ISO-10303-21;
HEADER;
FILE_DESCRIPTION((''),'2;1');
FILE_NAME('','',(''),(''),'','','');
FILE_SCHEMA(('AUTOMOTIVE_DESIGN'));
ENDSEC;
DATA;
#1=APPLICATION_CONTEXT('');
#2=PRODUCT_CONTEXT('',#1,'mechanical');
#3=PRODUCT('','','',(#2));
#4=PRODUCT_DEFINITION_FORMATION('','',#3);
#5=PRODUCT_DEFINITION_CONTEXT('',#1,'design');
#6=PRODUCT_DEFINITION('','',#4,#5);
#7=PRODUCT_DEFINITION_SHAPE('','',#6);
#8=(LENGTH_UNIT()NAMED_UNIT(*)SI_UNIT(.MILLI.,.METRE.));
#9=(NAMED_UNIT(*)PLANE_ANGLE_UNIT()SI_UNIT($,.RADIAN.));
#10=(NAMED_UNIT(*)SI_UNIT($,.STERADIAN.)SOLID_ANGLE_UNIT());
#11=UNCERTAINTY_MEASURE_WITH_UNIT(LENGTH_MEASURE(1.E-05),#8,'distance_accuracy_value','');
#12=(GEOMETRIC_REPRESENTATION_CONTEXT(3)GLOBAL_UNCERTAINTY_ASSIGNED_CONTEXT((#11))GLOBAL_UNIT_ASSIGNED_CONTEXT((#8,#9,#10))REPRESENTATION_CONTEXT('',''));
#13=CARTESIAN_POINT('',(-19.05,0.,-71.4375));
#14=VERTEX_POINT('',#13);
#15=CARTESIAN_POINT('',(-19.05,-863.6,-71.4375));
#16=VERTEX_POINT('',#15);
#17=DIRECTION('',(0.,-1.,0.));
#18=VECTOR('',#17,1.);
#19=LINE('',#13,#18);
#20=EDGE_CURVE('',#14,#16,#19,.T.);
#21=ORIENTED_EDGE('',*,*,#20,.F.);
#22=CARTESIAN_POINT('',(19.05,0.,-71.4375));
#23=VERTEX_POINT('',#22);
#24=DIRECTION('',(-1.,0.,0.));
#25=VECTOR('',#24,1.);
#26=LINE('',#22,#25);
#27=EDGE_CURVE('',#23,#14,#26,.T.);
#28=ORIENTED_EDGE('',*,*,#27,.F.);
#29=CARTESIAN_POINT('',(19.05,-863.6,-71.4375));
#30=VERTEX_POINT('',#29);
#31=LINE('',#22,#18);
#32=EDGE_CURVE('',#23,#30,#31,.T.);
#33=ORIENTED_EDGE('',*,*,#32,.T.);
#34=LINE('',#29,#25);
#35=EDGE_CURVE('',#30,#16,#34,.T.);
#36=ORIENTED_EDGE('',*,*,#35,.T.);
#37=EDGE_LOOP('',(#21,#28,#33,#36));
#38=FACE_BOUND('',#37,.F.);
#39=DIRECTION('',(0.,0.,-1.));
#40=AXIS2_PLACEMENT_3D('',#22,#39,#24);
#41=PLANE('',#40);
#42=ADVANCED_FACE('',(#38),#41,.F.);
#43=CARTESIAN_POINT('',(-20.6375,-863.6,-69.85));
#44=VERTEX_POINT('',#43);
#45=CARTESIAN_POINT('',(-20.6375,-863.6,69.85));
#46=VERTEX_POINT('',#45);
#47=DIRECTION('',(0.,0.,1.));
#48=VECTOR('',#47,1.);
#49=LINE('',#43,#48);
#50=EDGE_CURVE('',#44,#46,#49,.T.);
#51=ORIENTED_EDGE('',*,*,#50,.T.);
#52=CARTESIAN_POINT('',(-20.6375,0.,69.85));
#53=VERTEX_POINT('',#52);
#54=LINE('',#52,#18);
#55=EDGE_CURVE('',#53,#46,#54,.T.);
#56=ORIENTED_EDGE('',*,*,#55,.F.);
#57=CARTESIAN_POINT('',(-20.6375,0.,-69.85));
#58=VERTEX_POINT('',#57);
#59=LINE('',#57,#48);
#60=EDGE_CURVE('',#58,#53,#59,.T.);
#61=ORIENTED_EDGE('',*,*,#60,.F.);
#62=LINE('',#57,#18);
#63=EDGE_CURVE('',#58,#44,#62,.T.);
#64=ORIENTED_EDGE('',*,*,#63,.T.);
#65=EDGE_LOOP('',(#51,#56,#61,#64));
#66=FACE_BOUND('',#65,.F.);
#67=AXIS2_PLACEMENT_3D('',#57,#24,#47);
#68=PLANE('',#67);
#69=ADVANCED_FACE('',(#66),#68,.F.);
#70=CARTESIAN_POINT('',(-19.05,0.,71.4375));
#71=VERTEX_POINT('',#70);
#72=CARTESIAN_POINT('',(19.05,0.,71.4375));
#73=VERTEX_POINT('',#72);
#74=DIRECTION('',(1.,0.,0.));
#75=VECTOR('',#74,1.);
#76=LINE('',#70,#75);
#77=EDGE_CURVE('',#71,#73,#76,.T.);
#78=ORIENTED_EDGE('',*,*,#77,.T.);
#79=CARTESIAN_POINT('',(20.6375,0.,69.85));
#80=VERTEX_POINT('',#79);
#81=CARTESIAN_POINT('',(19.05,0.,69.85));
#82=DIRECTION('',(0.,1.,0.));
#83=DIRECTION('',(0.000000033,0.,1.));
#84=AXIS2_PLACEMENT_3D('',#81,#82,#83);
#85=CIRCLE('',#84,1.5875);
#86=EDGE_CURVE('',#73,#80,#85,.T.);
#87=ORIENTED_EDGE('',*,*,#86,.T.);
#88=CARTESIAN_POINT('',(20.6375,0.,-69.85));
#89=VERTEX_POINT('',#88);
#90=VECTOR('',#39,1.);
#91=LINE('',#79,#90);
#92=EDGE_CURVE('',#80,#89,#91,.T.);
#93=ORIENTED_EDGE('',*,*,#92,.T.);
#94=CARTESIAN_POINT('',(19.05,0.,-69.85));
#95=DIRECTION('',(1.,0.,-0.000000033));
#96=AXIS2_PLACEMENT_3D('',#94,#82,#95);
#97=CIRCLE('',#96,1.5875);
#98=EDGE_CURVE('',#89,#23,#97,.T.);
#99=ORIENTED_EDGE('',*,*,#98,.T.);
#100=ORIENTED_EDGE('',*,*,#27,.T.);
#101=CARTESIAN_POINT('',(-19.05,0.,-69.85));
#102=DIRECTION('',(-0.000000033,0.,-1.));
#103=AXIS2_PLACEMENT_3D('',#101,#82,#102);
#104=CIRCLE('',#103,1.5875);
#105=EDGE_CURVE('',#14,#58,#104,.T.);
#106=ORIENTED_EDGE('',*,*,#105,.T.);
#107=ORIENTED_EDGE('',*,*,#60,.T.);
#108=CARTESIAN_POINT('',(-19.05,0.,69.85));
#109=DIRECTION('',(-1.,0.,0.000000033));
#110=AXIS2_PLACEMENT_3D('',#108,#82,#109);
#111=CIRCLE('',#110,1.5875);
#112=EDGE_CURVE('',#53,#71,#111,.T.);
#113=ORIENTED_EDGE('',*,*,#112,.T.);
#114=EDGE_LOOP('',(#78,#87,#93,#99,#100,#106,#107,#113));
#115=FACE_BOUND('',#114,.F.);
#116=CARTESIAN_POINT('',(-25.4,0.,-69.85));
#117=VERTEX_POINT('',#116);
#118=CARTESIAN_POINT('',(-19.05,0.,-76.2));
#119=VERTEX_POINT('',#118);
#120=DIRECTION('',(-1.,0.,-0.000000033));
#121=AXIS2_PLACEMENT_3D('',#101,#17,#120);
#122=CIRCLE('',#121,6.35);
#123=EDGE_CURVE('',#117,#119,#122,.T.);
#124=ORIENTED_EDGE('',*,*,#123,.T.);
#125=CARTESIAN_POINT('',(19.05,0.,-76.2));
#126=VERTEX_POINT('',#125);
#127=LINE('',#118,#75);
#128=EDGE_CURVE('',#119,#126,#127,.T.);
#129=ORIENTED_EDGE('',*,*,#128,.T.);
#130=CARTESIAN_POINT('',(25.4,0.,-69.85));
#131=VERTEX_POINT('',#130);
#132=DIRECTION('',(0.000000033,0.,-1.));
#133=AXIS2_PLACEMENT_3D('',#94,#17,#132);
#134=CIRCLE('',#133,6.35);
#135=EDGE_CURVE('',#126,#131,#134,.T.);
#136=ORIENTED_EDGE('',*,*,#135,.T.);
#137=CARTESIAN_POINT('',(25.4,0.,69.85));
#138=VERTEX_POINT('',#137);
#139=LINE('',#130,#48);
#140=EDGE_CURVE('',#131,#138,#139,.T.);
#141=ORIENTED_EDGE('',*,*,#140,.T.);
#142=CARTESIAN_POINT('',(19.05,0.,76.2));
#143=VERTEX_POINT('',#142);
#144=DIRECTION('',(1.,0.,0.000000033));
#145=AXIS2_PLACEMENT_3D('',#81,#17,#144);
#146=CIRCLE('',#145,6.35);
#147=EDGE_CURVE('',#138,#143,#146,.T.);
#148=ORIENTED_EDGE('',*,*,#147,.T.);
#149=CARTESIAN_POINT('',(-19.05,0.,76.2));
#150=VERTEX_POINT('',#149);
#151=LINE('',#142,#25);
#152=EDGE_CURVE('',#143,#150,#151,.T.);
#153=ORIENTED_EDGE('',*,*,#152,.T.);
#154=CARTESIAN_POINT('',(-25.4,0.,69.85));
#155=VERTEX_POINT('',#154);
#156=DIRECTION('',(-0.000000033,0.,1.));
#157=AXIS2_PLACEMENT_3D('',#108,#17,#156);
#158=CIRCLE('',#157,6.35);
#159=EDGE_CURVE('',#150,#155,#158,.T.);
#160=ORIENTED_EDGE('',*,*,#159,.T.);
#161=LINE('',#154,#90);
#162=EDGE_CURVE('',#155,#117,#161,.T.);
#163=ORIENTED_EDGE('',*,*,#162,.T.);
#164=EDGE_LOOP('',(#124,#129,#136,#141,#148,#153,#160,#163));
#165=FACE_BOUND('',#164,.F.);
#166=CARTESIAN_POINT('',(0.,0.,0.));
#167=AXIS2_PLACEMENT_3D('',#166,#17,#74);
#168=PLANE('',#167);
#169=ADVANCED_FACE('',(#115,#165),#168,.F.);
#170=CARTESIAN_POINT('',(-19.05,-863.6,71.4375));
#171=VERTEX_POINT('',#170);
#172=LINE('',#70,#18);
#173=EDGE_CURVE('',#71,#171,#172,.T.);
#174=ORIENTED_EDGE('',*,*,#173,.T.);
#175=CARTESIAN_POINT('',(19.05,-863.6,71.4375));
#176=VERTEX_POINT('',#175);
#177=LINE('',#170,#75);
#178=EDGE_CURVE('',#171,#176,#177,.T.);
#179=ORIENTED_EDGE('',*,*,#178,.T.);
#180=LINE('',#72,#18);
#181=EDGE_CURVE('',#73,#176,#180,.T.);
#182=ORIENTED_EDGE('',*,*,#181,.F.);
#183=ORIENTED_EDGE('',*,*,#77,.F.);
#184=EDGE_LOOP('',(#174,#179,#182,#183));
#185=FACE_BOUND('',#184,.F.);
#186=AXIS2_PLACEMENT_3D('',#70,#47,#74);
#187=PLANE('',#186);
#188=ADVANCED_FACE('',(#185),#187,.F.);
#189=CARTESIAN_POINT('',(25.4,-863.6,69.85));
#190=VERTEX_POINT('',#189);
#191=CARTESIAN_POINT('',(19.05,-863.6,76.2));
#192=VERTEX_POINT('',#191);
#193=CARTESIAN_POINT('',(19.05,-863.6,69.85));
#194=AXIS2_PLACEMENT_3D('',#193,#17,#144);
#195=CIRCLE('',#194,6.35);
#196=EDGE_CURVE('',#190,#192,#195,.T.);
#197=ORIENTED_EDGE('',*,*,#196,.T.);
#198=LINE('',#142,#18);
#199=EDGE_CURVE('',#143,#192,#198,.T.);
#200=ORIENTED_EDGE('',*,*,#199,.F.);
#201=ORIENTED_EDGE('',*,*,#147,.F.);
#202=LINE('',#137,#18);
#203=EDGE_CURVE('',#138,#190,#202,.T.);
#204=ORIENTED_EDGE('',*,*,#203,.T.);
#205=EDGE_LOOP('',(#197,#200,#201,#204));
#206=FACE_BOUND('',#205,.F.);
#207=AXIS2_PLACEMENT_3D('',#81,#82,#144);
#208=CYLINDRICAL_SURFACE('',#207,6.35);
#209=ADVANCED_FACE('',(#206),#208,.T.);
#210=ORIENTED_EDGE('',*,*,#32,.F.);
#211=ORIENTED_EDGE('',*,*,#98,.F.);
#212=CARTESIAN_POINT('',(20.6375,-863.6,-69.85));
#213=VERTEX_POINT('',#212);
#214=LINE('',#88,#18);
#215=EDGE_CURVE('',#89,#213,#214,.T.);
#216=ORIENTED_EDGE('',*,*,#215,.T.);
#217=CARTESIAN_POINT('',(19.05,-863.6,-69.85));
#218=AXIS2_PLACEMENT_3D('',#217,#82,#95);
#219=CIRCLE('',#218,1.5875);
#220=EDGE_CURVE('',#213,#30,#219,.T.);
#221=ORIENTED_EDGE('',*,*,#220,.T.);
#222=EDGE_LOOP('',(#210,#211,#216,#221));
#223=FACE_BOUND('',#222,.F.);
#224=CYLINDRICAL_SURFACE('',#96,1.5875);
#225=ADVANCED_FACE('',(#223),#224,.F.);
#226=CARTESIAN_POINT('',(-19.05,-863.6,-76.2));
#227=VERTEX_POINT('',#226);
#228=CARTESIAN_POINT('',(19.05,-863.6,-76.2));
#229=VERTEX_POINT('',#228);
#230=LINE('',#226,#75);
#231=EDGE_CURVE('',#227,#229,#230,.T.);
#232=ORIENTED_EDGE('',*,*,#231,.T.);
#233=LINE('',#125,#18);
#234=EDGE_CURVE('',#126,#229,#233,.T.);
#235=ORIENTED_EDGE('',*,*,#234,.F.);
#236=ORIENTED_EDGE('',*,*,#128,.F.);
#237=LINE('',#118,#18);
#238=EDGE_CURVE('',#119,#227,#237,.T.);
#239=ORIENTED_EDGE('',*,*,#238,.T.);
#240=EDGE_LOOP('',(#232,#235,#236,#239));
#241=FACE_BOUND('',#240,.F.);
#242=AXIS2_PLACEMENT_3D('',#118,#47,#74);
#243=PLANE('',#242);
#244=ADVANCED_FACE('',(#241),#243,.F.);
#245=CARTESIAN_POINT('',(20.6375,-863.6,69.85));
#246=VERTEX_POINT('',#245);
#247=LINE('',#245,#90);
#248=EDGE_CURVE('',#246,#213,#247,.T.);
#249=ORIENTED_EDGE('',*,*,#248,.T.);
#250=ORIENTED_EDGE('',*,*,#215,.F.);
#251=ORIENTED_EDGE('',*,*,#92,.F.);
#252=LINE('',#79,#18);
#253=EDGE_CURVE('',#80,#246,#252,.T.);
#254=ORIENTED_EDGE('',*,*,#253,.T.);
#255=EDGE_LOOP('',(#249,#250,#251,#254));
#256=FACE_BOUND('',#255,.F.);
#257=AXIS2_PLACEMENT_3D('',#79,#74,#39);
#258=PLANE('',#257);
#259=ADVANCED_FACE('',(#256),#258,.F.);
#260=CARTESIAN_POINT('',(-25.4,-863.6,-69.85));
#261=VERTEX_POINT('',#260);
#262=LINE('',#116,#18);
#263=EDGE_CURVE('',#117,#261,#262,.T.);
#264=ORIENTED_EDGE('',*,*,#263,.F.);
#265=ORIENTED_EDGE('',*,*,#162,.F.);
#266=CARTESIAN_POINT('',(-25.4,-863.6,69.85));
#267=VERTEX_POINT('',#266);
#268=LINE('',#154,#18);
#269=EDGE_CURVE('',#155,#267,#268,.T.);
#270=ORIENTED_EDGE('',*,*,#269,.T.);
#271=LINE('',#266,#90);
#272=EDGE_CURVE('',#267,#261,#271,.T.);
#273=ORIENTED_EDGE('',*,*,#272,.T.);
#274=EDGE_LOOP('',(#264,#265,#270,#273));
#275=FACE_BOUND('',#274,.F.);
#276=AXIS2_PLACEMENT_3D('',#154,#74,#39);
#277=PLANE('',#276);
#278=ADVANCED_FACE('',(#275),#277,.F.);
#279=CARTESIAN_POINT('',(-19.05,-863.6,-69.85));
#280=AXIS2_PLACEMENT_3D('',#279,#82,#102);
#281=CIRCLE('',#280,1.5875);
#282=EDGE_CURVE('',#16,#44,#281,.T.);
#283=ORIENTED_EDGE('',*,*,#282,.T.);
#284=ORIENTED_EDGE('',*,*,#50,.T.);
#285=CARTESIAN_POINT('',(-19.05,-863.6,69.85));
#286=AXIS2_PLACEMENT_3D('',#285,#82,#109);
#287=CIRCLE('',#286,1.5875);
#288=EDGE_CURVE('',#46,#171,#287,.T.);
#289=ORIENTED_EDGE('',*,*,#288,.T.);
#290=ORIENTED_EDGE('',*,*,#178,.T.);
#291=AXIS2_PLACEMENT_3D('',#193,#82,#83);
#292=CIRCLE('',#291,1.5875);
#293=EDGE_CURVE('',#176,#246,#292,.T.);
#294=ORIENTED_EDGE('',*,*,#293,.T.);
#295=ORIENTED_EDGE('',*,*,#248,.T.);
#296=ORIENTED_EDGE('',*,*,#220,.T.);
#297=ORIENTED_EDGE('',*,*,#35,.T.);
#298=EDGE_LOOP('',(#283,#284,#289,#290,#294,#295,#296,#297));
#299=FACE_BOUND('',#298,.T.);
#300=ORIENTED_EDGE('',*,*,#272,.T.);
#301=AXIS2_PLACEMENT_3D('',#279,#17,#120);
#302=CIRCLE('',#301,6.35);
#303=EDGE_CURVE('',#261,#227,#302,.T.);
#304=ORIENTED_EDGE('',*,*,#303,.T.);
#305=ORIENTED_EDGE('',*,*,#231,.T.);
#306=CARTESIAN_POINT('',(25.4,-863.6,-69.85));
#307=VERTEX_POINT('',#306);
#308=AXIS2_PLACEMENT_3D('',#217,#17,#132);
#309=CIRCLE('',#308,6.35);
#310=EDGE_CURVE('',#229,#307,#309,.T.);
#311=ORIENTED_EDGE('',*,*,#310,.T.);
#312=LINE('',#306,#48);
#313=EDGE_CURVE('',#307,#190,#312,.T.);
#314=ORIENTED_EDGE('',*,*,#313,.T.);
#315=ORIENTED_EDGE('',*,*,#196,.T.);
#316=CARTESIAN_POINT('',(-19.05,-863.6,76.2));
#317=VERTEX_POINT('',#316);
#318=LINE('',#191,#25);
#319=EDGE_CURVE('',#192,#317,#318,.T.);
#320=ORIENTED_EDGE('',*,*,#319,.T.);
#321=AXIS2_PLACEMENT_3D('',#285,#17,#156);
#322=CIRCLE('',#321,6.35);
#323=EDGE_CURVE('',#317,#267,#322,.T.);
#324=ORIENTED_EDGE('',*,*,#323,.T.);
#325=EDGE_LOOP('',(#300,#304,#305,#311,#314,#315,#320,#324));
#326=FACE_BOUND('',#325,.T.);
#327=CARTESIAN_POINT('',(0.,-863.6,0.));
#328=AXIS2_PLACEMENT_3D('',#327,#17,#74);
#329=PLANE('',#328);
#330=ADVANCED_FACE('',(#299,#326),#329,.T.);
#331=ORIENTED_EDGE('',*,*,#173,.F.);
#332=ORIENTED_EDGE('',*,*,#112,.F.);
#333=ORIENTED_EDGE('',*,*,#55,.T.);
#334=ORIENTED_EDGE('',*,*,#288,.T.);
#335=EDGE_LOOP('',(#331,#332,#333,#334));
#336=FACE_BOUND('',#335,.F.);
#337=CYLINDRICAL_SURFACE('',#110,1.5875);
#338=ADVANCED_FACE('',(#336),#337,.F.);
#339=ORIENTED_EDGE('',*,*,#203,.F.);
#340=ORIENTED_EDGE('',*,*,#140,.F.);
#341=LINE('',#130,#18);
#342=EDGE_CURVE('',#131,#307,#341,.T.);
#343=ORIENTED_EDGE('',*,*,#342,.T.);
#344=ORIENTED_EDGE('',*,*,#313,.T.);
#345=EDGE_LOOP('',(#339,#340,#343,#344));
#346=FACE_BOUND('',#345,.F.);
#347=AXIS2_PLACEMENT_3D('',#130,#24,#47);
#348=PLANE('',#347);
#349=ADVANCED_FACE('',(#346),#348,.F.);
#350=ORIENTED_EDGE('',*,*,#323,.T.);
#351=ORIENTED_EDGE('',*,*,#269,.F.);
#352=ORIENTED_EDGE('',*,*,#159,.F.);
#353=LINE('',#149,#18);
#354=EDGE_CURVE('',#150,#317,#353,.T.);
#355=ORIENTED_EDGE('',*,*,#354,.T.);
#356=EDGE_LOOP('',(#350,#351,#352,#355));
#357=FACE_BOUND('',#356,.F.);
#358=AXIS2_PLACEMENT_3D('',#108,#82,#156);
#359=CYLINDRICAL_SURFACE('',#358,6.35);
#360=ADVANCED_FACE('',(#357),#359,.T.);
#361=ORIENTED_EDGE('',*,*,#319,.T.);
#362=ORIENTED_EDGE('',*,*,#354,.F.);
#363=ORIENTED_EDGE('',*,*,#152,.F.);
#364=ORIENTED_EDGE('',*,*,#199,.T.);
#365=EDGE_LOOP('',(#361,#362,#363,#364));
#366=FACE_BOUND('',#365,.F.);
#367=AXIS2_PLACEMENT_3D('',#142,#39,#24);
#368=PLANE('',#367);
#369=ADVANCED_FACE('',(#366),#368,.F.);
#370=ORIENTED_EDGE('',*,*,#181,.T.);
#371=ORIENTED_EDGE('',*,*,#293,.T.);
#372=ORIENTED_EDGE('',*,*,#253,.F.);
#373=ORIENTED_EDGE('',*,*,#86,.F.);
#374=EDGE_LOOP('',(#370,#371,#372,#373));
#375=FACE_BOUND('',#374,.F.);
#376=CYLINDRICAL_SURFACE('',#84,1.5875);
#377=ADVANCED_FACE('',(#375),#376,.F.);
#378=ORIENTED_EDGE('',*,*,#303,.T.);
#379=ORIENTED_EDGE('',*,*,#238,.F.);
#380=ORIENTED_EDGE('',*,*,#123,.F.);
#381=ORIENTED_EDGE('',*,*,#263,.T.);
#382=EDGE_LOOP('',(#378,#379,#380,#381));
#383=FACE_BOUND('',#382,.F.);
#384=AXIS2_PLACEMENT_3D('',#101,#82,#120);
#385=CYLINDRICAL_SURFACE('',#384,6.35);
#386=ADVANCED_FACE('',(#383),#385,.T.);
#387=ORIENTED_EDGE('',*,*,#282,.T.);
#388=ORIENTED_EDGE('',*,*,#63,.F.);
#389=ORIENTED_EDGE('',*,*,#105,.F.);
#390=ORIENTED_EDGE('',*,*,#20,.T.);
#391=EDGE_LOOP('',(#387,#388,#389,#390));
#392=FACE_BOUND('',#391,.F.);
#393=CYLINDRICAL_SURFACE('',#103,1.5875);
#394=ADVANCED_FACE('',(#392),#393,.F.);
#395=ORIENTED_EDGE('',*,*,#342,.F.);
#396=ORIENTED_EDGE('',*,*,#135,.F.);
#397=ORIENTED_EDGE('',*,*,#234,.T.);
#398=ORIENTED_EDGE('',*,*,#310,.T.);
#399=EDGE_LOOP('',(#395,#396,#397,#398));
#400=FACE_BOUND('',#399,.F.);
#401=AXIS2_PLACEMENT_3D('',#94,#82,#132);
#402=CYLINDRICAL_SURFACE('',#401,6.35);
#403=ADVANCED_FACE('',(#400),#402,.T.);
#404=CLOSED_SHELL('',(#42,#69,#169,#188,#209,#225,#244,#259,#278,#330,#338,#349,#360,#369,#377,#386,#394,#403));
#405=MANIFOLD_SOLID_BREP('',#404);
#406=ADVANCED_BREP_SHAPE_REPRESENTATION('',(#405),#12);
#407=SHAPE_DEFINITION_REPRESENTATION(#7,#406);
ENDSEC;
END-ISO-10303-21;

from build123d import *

# Parameters (mm, degrees)
F1_DEPTH = 863.6


with BuildPart() as f1:
    # F0 (on Front) → F1 (new body)
    with BuildSketch(Plane.XZ):
        with BuildLine():
            ThreePointArc((25.4, 69.85), (23.540128, 74.340128), (19.05, 76.2))
            Line((19.05, 76.2), (-19.05, 76.2))
            ThreePointArc((-19.05, 76.2), (-23.540128, 74.340128), (-25.4, 69.85))
            Line((-25.4, 69.85), (-25.4, -69.85))
            ThreePointArc((-25.4, -69.85), (-23.540128, -74.340128), (-19.05, -76.2))
            Line((-19.05, -76.2), (19.05, -76.2))
            ThreePointArc((19.05, -76.2), (23.540128, -74.340128), (25.4, -69.85))
            Line((25.4, -69.85), (25.4, 69.85))
        make_face()
        with BuildLine():
            Line((-20.6375, -69.85), (-20.6375, 69.85))
            ThreePointArc((-20.6375, 69.85), (-20.172532, 70.972532), (-19.05, 71.4375))
            Line((-19.05, 71.4375), (19.05, 71.4375))
            ThreePointArc((19.05, 71.4375), (20.172532, 70.972532), (20.6375, 69.85))
            Line((20.6375, 69.85), (20.6375, -69.85))
            ThreePointArc((20.6375, -69.85), (20.172532, -70.972532), (19.05, -71.4375))
            Line((19.05, -71.4375), (-19.05, -71.4375))
            ThreePointArc((-19.05, -71.4375), (-20.172532, -70.972532), (-20.6375, -69.85))
        make_face(mode=Mode.SUBTRACT)
    extrude(amount=F1_DEPTH)


solid = f1.part
